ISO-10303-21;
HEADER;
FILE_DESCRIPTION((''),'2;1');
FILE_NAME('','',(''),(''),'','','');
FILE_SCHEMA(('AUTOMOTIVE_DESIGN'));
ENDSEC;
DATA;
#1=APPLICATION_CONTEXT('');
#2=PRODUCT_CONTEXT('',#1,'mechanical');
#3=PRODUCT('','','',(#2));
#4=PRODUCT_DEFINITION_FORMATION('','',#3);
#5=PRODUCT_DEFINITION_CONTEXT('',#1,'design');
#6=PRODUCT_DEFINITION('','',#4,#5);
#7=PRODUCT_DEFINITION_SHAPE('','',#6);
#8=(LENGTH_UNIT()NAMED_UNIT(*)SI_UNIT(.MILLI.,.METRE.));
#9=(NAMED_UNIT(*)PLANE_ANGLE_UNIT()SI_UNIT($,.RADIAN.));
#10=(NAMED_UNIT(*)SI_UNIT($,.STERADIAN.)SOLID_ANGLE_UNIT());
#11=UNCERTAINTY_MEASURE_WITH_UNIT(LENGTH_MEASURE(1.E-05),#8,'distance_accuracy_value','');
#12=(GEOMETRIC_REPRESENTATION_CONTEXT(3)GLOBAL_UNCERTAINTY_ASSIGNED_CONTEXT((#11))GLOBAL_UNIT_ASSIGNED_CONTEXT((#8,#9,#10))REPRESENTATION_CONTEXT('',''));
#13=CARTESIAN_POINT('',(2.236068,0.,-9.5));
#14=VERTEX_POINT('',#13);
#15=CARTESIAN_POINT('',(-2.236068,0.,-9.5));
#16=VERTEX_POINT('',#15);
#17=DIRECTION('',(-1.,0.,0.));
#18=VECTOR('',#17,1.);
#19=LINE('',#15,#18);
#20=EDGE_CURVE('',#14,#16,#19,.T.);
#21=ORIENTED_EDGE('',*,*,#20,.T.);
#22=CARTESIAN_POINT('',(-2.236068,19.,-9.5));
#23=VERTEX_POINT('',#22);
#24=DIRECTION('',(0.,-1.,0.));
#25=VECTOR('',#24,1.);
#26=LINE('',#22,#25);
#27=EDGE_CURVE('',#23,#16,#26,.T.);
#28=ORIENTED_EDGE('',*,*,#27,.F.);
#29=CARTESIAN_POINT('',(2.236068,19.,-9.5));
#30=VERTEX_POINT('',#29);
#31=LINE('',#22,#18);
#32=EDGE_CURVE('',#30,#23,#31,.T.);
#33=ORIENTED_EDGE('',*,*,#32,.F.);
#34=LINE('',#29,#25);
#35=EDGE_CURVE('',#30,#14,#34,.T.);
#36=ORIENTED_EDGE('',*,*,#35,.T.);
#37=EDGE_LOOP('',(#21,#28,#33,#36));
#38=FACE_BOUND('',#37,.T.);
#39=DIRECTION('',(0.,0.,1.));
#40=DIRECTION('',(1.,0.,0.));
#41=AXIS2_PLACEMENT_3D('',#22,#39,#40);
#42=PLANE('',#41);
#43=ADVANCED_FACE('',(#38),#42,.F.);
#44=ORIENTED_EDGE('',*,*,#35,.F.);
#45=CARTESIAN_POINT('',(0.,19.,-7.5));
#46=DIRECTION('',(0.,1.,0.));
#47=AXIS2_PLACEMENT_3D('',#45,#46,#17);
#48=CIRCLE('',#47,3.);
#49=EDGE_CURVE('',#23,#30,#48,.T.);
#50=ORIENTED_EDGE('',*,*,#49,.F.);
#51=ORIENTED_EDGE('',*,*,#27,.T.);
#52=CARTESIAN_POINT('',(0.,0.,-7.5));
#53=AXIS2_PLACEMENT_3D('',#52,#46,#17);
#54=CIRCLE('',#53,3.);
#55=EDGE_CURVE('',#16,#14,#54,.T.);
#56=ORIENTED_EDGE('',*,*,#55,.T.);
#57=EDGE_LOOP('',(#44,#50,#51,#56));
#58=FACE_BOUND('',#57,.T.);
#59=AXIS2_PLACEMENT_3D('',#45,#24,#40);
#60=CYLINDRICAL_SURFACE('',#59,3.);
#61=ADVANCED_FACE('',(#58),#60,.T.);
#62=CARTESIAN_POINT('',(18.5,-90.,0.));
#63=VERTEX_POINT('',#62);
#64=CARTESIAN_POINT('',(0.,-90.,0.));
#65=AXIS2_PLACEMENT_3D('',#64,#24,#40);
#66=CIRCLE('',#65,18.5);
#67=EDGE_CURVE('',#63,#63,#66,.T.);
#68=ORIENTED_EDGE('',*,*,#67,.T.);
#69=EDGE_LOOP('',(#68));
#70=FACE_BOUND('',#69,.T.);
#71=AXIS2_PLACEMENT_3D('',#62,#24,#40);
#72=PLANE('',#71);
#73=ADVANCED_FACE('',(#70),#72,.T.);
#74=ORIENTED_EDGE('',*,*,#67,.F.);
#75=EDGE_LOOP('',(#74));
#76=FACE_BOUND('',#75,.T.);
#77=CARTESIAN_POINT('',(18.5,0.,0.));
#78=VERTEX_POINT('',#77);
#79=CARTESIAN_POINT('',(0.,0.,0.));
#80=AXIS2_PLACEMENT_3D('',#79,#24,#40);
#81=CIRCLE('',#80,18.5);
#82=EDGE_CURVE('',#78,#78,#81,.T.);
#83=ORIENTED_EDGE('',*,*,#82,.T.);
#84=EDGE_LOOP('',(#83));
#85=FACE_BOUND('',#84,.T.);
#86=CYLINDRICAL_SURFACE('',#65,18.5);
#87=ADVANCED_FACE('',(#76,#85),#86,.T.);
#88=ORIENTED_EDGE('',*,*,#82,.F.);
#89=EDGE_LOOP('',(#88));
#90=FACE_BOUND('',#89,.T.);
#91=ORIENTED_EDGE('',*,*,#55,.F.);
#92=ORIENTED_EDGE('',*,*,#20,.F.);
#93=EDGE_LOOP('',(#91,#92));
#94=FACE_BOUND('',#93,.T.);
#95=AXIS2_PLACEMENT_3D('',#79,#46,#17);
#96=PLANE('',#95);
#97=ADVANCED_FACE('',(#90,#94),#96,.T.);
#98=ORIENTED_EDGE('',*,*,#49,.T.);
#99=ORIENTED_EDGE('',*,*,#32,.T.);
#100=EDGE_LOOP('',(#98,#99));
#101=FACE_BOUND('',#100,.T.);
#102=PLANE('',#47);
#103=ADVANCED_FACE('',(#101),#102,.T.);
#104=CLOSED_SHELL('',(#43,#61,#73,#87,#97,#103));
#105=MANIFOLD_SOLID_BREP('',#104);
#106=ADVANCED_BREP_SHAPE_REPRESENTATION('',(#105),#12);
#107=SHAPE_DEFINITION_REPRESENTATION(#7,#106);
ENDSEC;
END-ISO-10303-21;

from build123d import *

# Parameters (mm, degrees)
ESBO_O1_W                = 18.5
ESBO_O1_H                = 90
RESSALTO_EXTRUS_O1_DEPTH = 19


with BuildPart() as part:
    # Esboço1 → Revolução1 (revolve)
    with BuildSketch(Plane.XY):
        with Locations((9.25, -45)):
            Rectangle(ESBO_O1_W, ESBO_O1_H)
    revolve(axis=Axis((0, -90, 0), (0, 1, 0)))

    # Esboço2 → Ressalto-extrusão1 (add)
    with BuildSketch(Plane(origin=(0, 0, 0), x_dir=(1, 0, 0), z_dir=(0, 1, 0))):
        with BuildLine():
            Line((-2.236067977, 9.5), (2.236067977, 9.5))
            ThreePointArc((2.236067977, 9.5), (0, 4.5), (-2.236067977, 9.5))
        make_face()
    extrude(amount=RESSALTO_EXTRUS_O1_DEPTH)


solid = part.part
